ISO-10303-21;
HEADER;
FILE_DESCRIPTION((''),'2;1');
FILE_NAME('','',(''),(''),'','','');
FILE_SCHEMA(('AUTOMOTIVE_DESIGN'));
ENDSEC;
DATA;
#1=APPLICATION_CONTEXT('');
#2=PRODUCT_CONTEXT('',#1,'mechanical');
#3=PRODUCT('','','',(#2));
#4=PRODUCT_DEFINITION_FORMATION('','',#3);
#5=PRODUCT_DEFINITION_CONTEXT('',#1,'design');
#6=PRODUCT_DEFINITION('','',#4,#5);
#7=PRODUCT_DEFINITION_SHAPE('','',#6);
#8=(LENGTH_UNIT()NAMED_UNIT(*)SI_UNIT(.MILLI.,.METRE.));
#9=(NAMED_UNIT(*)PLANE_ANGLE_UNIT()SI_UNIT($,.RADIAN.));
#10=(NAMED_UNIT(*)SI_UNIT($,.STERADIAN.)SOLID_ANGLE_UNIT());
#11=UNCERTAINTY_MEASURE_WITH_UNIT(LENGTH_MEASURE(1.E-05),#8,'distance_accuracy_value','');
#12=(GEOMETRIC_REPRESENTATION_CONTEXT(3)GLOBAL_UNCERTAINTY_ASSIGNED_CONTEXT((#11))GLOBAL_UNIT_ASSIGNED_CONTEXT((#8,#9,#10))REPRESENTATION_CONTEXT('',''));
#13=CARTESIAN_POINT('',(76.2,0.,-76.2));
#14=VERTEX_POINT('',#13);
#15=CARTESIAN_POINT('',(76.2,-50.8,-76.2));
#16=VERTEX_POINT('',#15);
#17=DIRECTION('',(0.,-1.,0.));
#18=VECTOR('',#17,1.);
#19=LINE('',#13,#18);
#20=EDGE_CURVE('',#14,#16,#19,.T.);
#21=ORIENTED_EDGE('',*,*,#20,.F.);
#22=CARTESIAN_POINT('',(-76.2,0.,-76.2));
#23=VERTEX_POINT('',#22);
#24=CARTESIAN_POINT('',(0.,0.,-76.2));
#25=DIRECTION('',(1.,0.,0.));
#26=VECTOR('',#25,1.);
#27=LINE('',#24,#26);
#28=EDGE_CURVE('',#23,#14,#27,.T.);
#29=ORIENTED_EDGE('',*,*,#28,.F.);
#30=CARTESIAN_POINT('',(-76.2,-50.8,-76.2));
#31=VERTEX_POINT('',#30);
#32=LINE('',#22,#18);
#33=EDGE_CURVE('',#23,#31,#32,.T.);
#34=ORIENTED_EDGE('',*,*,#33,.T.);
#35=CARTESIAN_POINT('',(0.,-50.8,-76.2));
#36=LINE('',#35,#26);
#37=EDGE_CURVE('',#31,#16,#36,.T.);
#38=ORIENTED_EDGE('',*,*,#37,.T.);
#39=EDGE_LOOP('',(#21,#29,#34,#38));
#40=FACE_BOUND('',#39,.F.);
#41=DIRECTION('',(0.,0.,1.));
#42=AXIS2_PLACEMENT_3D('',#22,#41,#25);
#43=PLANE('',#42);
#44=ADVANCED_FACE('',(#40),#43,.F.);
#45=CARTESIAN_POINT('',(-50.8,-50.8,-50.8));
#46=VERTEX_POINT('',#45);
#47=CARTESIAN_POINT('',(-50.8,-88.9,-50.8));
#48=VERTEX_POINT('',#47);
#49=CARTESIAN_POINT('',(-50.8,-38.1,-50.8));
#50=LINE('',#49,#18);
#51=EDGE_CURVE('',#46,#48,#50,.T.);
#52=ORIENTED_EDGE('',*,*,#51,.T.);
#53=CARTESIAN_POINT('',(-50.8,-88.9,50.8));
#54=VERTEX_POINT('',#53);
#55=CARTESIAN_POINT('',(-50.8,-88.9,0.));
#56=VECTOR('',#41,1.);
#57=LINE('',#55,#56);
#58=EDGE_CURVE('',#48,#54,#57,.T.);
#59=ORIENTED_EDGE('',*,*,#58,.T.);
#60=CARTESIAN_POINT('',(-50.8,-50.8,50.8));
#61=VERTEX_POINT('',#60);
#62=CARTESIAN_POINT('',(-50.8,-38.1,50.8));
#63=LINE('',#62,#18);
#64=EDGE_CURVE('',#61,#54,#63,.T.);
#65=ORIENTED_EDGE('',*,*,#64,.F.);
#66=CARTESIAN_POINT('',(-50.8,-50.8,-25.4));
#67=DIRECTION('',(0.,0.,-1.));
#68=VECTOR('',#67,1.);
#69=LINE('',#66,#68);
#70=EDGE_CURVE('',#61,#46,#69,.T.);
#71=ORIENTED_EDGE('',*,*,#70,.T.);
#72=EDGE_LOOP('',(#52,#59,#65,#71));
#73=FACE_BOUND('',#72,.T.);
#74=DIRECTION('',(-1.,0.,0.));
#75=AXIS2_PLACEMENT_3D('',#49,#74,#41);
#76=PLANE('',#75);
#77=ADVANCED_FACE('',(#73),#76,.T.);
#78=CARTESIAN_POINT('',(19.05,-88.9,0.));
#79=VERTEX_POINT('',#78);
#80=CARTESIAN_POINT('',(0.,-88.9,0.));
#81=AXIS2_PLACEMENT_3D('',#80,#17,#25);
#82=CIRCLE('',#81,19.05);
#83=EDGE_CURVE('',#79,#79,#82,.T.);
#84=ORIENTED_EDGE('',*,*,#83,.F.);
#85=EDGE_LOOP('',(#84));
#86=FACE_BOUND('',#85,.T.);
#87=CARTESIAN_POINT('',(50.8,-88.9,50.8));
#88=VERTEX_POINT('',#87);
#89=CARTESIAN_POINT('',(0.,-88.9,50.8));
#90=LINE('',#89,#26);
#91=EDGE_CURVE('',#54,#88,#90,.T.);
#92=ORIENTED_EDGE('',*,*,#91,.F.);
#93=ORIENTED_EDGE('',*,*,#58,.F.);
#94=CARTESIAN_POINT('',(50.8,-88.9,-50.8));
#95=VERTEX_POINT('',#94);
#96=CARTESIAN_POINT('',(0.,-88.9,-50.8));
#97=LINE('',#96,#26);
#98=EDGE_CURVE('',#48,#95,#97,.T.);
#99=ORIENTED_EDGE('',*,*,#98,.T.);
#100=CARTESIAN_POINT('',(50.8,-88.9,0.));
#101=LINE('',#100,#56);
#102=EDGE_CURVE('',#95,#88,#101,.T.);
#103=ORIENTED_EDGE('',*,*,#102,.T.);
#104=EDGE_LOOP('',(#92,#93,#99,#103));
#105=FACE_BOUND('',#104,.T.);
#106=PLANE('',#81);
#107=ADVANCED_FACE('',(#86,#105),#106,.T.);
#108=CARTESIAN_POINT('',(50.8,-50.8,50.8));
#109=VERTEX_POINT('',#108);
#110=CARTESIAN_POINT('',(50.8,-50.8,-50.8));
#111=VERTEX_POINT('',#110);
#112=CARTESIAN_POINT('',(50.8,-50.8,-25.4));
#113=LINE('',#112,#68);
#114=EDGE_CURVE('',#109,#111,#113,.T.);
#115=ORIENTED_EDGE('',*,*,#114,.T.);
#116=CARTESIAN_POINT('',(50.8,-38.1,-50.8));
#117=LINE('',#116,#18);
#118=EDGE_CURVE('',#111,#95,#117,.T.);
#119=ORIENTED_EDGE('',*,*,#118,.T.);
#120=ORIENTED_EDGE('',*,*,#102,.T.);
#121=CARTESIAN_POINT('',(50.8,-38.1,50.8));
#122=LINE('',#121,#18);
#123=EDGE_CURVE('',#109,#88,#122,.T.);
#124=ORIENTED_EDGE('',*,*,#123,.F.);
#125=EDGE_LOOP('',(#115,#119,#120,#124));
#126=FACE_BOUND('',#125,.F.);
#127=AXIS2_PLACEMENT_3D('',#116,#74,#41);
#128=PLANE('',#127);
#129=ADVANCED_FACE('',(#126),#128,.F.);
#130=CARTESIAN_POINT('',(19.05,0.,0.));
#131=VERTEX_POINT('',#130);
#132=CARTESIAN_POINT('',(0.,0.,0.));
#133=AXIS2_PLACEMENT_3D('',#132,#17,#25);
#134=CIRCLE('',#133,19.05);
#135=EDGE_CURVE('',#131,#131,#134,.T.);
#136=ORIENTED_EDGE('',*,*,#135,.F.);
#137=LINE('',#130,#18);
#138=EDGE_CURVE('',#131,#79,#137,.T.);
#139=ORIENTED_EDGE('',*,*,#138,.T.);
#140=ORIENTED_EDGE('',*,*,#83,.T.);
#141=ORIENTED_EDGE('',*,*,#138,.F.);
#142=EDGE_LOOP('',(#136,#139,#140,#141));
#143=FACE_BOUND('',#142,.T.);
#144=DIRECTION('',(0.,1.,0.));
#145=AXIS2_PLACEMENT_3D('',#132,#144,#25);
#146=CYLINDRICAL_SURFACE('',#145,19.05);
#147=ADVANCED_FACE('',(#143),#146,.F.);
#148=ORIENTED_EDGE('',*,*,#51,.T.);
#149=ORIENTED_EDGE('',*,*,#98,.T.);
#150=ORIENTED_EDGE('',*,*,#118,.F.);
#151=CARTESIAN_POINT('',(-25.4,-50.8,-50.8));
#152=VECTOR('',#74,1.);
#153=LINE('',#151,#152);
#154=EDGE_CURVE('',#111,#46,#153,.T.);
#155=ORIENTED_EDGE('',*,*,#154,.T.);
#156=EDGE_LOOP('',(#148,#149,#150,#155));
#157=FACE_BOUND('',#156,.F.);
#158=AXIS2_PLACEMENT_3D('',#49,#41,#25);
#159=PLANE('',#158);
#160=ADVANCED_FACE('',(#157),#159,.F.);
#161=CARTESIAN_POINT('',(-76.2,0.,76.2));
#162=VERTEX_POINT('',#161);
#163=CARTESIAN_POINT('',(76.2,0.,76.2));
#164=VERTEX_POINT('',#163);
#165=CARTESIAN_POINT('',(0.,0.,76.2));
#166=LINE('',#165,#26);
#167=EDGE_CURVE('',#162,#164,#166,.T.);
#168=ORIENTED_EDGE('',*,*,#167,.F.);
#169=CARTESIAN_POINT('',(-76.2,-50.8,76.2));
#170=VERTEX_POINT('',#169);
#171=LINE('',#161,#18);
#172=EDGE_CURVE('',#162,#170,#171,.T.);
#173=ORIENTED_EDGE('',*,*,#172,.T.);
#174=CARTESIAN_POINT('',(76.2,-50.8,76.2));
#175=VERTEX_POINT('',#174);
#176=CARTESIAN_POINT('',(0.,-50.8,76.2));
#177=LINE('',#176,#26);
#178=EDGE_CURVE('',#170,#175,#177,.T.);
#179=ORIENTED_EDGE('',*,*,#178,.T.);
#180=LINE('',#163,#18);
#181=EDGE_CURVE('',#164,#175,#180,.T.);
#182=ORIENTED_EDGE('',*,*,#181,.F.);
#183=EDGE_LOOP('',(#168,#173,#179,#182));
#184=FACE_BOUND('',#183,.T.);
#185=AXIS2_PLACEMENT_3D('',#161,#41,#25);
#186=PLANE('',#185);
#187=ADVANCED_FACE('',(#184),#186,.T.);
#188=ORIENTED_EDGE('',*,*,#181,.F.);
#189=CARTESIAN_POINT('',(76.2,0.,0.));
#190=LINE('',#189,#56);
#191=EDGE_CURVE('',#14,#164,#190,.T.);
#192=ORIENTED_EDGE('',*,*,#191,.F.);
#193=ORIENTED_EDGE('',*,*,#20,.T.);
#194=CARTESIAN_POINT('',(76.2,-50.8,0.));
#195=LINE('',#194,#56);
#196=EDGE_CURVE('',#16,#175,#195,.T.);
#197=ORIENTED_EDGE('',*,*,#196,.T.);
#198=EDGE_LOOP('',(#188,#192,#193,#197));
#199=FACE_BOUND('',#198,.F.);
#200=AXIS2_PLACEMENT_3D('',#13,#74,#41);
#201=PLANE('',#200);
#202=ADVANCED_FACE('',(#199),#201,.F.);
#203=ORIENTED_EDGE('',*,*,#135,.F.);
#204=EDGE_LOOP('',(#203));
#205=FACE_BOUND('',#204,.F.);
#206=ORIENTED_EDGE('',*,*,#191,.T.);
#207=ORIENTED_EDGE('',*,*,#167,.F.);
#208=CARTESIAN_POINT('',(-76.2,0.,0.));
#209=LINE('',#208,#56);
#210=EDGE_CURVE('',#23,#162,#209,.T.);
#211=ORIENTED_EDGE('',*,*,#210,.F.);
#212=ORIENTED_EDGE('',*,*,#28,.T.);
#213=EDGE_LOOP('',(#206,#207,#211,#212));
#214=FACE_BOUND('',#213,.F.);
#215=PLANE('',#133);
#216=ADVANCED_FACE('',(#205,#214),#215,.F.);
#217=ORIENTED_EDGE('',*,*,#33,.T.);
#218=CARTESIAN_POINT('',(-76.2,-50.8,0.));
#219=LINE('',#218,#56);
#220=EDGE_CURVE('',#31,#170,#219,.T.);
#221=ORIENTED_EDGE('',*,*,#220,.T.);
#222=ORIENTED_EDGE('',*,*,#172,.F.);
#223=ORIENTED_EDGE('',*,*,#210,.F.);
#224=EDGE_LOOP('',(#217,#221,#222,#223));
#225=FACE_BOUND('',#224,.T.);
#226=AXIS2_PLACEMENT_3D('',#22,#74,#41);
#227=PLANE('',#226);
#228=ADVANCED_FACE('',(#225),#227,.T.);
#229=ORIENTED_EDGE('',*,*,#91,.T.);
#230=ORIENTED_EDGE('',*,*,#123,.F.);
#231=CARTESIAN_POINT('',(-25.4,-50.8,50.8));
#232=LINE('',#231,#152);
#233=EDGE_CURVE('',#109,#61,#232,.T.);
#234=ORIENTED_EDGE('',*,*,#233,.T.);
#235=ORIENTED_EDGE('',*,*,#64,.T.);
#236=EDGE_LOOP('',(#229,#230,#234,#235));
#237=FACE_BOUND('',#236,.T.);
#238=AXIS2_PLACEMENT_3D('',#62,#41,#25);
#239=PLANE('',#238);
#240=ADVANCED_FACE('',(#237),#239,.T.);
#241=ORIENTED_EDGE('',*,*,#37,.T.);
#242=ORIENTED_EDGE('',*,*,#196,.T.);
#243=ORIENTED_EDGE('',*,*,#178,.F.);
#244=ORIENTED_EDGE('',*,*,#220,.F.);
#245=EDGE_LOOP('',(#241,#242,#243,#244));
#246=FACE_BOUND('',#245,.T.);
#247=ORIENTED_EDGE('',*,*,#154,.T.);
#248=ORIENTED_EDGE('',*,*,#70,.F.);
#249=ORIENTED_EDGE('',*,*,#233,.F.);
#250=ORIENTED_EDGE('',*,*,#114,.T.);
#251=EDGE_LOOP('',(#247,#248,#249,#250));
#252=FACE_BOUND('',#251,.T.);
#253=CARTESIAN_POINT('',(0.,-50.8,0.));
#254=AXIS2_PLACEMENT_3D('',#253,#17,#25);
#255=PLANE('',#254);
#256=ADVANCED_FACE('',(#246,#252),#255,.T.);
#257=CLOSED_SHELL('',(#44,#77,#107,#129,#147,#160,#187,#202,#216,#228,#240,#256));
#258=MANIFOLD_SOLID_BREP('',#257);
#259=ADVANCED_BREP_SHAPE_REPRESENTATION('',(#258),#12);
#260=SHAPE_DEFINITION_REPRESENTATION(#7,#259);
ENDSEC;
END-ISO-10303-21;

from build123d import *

# Parameters (mm, degrees)
F0_W      = 101.6
F0_H      = 101.6
F0_R      = 19.05
F1_DEPTH  = 38.1
F0_W_2    = 152.4
F0_H_2    = 152.4
F1_FACE_W = 101.6
F1_FACE_H = 101.6
F1_FACE_R = 19.05
F2_DEPTH  = 50.8


with BuildPart() as f1:
    # F0 (on Front) → F1 (new body)
    with BuildSketch(Plane.XZ):
        Rectangle(F0_W, F0_H)
        Circle(F0_R, mode=Mode.SUBTRACT)
    extrude(amount=F1_DEPTH)

    # F0 (on Front) + F1_face (on face) → F2 (join)
    with BuildSketch(Plane.XZ):
        Rectangle(F0_W_2, F0_H_2)
        Rectangle(F0_W, F0_H, mode=Mode.SUBTRACT)
        Rectangle(F0_W, F0_H)
        Circle(F0_R, mode=Mode.SUBTRACT)
    with BuildSketch(Plane.XZ.offset(38.1)):
        Rectangle(F1_FACE_W, F1_FACE_H)
        Circle(F1_FACE_R, mode=Mode.SUBTRACT)
    extrude(amount=F2_DEPTH)


solid = f1.part
